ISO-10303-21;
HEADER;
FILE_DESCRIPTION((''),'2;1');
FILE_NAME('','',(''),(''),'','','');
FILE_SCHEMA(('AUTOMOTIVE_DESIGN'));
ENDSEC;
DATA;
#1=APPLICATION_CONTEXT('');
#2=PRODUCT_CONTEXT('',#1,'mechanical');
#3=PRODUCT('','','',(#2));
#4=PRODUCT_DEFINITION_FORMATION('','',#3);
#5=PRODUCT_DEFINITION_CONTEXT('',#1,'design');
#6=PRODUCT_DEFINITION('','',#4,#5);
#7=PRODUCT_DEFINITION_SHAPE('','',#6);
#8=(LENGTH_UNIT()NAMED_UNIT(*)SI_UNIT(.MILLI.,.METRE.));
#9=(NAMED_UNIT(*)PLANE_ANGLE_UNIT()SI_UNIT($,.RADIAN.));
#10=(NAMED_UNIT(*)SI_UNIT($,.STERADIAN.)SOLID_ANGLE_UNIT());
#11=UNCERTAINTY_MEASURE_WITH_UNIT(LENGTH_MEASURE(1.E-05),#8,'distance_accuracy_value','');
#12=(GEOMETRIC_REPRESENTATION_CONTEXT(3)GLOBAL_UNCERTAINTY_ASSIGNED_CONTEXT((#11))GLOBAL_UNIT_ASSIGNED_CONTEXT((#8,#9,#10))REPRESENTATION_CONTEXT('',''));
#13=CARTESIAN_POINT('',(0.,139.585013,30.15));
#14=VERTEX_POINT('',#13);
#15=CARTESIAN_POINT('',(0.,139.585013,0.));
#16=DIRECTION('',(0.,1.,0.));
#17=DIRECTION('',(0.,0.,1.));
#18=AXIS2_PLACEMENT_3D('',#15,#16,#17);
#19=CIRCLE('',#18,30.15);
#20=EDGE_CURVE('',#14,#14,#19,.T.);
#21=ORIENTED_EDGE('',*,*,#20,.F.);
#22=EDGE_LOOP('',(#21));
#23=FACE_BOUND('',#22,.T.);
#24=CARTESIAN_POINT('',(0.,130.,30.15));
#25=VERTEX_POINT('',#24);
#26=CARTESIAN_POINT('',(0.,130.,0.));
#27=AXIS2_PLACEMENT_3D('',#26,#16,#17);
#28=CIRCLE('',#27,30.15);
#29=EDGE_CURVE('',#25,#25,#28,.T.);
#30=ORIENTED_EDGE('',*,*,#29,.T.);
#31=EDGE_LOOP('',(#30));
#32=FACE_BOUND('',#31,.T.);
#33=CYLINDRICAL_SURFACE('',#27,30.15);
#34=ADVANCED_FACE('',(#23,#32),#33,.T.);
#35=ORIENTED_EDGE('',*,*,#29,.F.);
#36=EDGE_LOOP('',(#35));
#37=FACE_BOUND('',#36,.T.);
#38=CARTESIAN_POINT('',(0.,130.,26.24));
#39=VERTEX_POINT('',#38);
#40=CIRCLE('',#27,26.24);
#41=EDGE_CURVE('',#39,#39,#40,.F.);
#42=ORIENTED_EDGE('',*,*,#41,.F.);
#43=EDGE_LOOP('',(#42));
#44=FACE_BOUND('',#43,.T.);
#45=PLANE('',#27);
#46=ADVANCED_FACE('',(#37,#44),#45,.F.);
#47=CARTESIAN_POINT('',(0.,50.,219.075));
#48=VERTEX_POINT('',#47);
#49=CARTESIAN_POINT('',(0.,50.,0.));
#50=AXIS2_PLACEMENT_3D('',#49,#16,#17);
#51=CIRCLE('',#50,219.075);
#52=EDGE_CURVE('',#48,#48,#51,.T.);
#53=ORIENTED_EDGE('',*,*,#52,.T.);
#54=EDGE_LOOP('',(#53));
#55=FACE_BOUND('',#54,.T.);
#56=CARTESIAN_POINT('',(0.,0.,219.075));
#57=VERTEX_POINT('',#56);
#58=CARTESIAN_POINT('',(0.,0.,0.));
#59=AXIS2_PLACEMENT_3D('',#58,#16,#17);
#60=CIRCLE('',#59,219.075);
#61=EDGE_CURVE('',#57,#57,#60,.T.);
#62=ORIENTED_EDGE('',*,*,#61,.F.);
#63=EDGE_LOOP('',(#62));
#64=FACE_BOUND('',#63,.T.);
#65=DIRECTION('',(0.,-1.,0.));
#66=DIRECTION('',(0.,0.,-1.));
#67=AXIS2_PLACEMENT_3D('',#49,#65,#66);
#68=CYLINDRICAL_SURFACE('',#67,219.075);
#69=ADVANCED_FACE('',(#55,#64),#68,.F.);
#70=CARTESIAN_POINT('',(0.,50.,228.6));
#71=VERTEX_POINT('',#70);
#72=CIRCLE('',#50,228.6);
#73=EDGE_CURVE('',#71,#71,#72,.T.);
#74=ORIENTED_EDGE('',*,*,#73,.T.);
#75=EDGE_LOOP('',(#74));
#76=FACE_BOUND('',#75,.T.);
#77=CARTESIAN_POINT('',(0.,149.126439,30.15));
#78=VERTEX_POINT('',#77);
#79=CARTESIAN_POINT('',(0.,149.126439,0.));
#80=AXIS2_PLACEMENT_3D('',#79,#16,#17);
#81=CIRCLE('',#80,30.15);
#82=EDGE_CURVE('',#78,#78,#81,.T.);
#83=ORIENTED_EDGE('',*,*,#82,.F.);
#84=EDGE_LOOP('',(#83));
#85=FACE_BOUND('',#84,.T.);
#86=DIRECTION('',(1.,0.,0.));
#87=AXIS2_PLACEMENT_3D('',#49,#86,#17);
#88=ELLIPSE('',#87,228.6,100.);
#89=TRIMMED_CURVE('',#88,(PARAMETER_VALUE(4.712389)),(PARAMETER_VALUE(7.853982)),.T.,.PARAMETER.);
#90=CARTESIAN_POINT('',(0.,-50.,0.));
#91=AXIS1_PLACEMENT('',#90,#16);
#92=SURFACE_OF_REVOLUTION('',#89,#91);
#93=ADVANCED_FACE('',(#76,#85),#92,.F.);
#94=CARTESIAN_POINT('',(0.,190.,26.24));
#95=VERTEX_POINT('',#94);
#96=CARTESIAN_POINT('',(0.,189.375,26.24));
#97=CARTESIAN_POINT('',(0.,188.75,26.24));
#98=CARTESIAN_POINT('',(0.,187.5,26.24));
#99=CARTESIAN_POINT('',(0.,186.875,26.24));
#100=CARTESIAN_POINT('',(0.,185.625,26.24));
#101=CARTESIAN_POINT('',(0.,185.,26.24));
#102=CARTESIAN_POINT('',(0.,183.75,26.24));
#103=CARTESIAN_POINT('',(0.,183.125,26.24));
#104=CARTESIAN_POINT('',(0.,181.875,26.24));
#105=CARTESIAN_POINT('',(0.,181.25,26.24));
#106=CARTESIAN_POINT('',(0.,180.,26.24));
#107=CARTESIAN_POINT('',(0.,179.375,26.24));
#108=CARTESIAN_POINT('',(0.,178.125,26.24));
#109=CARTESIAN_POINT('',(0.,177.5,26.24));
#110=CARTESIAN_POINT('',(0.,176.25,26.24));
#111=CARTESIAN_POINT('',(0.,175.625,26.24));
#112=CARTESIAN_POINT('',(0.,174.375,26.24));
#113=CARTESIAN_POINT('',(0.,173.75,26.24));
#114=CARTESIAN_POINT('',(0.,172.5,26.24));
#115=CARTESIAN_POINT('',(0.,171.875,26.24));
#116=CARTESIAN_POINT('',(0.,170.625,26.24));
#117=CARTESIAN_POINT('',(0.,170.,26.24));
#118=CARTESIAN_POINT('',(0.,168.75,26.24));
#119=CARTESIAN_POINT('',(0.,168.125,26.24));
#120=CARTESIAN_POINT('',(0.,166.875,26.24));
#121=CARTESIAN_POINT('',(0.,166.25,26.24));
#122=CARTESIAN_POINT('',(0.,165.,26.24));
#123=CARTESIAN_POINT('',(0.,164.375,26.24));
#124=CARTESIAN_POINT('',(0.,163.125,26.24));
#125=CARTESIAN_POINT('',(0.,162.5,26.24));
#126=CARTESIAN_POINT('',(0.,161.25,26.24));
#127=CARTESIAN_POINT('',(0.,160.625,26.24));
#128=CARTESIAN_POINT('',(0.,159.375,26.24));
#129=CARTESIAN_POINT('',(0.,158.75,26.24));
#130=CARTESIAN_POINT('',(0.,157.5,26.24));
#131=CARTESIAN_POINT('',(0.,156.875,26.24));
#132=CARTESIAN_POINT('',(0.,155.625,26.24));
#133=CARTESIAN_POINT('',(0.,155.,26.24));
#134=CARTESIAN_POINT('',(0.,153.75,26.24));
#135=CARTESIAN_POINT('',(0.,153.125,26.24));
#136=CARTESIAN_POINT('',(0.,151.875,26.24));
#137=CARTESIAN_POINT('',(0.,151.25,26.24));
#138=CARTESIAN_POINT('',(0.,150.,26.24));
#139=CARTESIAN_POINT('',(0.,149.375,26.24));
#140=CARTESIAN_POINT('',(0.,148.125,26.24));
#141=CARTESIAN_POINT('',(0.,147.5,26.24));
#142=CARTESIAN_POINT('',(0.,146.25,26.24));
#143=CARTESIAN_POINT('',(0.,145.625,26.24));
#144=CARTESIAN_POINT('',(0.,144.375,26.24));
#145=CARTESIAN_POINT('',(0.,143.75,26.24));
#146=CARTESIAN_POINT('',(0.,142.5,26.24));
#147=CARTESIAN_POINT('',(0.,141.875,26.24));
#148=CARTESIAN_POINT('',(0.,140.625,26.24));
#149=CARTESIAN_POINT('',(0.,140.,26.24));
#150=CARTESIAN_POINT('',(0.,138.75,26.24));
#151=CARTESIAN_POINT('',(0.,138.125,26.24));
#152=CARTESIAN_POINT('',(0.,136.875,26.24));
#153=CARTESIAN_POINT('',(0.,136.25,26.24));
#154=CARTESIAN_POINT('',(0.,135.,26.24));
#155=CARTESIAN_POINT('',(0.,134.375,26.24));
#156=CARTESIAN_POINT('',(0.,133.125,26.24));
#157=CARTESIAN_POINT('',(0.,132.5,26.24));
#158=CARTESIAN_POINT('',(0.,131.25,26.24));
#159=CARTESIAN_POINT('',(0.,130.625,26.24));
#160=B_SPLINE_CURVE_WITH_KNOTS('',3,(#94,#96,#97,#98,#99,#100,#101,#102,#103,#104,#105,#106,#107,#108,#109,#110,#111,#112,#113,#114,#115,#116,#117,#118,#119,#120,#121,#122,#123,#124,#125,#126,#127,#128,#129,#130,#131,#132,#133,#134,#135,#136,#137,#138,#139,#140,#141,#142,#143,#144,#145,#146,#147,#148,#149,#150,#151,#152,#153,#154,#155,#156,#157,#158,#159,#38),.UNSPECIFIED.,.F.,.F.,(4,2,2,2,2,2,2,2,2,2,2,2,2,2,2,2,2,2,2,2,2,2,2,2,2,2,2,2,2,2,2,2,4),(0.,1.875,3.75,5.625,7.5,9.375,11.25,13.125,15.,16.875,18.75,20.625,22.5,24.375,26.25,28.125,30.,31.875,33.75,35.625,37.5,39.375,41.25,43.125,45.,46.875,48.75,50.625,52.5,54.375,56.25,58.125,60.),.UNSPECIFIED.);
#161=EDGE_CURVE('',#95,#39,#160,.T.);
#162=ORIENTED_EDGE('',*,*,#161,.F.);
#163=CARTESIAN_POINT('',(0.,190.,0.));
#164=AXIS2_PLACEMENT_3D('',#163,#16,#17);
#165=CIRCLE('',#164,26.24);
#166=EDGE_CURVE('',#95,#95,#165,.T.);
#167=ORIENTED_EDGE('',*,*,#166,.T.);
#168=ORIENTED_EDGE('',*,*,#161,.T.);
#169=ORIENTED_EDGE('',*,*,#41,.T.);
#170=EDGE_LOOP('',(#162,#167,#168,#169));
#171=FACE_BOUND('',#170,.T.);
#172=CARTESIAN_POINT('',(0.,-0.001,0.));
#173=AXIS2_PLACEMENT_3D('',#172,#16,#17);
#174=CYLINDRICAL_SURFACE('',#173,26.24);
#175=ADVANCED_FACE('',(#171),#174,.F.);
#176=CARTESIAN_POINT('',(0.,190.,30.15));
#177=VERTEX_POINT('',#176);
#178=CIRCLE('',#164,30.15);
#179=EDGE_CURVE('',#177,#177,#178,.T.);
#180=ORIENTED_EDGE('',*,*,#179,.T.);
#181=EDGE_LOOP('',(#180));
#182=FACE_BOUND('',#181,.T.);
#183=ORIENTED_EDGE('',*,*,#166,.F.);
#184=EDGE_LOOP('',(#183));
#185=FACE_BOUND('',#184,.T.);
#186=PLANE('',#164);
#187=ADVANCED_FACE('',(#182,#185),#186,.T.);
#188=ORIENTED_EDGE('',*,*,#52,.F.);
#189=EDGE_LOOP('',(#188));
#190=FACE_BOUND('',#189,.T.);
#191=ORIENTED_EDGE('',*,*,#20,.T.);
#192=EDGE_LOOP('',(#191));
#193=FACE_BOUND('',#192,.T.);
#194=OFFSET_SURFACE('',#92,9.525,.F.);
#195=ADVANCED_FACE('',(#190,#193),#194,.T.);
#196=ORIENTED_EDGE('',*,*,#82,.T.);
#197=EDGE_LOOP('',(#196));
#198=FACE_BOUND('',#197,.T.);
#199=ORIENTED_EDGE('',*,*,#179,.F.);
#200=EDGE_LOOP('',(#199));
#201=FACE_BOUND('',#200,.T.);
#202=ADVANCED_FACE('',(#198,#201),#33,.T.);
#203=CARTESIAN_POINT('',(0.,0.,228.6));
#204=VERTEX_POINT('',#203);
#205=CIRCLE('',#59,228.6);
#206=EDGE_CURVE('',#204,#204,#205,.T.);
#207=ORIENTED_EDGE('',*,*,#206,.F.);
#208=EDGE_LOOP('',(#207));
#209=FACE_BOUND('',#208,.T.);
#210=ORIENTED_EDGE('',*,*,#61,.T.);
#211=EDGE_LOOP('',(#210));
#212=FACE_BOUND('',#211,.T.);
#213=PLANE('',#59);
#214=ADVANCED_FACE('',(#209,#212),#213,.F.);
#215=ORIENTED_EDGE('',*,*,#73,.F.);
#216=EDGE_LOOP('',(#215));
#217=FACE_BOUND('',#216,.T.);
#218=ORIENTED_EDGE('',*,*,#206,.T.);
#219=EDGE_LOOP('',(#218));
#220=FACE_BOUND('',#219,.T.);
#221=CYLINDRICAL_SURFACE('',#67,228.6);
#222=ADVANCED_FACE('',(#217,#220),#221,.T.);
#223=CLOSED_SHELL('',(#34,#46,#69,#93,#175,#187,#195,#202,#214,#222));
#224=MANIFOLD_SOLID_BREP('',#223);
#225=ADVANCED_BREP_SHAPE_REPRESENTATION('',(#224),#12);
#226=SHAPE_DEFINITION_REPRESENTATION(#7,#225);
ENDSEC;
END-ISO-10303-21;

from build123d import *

# Parameters (mm, degrees)
CROQUIS1_R              = 228.6
SALIENTE_EXTRUIR1_DEPTH = 50
C_PULA1_FACE_RADIUS     = 228.6
C_PULA1_HEIGHT          = 100
VACIADO1_T              = -9.525
CROQUIS3_R              = 30.15
SALIENTE_EXTRUIR2_DEPTH = 60
CORTAR_EXTRUIR1_REACH   = 376.988
CROQUIS4_R              = 26.24


with BuildPart() as part:
    # Croquis1 → Saliente-Extruir1 (new body)
    with BuildSketch(Plane(origin=(0, 0, 0), x_dir=(1, 0, 0), z_dir=(0, 1, 0))):
        Circle(CROQUIS1_R)
    extrude(amount=SALIENTE_EXTRUIR1_DEPTH)

    # Cúpula1: an elliptical dome of height H over a round flat face of radius A is half a spheroid: the quarter ellipse of half axes A and H revolved about the face's axis
    with BuildSketch(Plane((0, 50, 0), x_dir=(0, 0, -1), z_dir=(1, 0, 0)), mode=Mode.PRIVATE) as c_pula1_quarter:
        Ellipse(C_PULA1_FACE_RADIUS, C_PULA1_HEIGHT)
        Rectangle(C_PULA1_FACE_RADIUS, C_PULA1_HEIGHT, align=(Align.MIN, Align.MIN), mode=Mode.INTERSECT)
    revolve(c_pula1_quarter.sketch, axis=Axis((0, 50, 0), (0, 1, 0)))

    # Vaciado1
    vaciado1_openings = [part.faces().sort_by_distance(p)[0] for p in [
        (0, 0, 0),
    ]]
    offset(amount=VACIADO1_T, openings=vaciado1_openings, kind=Kind.INTERSECTION)

    # Croquis3 → Saliente-Extruir2 (add)
    with BuildSketch(Plane(origin=(0, 190, 0), x_dir=(1, 0, 0), z_dir=(0, 1, 0))):
        Circle(CROQUIS3_R)
    extrude(amount=-SALIENTE_EXTRUIR2_DEPTH)

    # Croquis4 → Cortar-Extruir1 (cut, up to next)
    with BuildSketch(Plane(origin=(0, 190, 0), x_dir=(1, 0, 0), z_dir=(0, 1, 0)), mode=Mode.PRIVATE) as cortar_extruir1_sk1:
        Circle(CROQUIS4_R)
    cortar_extruir1_tool1 = extrude(cortar_extruir1_sk1.sketch, amount=-CORTAR_EXTRUIR1_REACH, mode=Mode.PRIVATE) & part.part
    add(cortar_extruir1_tool1.solids().sort_by_distance((0, 190, 0))[0], mode=Mode.SUBTRACT)


solid = part.part
